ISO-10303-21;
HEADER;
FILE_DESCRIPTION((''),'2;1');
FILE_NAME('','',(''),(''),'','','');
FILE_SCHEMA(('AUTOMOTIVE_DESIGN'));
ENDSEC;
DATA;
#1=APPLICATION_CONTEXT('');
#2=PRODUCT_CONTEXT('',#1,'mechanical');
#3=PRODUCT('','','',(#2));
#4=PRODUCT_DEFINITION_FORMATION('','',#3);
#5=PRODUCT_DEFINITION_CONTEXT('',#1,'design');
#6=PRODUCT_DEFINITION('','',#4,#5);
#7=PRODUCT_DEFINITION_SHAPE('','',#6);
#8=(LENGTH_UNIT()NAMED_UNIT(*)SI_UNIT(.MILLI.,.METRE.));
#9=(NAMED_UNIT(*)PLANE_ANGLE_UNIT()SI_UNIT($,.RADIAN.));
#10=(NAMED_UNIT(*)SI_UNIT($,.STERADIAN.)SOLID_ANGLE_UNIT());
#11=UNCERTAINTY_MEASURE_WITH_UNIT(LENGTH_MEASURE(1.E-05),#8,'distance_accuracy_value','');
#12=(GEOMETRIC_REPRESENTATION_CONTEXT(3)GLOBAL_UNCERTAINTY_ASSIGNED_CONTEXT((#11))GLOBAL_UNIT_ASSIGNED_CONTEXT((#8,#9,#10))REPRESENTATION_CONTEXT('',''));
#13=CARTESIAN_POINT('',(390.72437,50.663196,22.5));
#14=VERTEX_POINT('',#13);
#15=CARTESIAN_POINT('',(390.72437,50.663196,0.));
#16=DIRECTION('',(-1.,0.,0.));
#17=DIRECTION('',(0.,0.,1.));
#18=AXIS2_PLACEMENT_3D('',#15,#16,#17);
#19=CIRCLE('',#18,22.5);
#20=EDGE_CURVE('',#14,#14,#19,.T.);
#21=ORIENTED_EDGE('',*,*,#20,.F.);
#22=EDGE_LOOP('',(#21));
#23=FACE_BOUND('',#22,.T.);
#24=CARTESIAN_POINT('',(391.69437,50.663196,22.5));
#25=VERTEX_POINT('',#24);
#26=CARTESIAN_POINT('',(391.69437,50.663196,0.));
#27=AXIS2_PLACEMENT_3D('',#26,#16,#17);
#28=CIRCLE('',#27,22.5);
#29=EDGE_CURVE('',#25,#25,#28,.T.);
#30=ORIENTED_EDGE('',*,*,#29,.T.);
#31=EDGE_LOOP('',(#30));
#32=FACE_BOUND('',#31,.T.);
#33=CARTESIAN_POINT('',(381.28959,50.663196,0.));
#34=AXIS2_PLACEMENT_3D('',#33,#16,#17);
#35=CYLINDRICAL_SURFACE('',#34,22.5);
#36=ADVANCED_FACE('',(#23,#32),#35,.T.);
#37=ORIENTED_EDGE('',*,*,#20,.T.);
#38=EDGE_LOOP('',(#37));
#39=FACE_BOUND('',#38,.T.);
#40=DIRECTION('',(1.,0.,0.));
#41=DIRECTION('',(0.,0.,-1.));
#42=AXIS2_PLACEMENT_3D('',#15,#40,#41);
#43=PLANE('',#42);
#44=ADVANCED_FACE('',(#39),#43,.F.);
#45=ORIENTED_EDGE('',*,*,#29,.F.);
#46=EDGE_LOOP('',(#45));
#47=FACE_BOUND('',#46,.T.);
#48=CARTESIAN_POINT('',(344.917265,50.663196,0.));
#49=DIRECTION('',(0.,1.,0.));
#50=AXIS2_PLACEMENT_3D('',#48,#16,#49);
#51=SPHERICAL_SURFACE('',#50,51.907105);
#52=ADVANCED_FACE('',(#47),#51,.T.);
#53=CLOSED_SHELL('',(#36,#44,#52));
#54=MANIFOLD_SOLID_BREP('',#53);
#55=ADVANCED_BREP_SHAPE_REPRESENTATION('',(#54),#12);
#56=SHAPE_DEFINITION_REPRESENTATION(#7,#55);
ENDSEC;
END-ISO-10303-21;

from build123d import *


with BuildPart() as part:
    # 草图1 → 旋转1 (revolve)
    with BuildSketch(Plane.XY):
        with BuildLine():
            Line((390.724370014, 50.663195772), (390.724370014, 73.163195772))
            Line((390.724370014, 73.163195772), (391.694370014, 73.163195772))
            ThreePointArc((391.694370014, 73.163195772), (395.52562228, 62.201901289), (396.824370014, 50.663195772))
            Line((396.824370014, 50.663195772), (390.724370014, 50.663195772))
        make_face()
    revolve(axis=Axis((381.289590128, 50.663195772, 0), (1, 0, 0)))


solid = part.part
